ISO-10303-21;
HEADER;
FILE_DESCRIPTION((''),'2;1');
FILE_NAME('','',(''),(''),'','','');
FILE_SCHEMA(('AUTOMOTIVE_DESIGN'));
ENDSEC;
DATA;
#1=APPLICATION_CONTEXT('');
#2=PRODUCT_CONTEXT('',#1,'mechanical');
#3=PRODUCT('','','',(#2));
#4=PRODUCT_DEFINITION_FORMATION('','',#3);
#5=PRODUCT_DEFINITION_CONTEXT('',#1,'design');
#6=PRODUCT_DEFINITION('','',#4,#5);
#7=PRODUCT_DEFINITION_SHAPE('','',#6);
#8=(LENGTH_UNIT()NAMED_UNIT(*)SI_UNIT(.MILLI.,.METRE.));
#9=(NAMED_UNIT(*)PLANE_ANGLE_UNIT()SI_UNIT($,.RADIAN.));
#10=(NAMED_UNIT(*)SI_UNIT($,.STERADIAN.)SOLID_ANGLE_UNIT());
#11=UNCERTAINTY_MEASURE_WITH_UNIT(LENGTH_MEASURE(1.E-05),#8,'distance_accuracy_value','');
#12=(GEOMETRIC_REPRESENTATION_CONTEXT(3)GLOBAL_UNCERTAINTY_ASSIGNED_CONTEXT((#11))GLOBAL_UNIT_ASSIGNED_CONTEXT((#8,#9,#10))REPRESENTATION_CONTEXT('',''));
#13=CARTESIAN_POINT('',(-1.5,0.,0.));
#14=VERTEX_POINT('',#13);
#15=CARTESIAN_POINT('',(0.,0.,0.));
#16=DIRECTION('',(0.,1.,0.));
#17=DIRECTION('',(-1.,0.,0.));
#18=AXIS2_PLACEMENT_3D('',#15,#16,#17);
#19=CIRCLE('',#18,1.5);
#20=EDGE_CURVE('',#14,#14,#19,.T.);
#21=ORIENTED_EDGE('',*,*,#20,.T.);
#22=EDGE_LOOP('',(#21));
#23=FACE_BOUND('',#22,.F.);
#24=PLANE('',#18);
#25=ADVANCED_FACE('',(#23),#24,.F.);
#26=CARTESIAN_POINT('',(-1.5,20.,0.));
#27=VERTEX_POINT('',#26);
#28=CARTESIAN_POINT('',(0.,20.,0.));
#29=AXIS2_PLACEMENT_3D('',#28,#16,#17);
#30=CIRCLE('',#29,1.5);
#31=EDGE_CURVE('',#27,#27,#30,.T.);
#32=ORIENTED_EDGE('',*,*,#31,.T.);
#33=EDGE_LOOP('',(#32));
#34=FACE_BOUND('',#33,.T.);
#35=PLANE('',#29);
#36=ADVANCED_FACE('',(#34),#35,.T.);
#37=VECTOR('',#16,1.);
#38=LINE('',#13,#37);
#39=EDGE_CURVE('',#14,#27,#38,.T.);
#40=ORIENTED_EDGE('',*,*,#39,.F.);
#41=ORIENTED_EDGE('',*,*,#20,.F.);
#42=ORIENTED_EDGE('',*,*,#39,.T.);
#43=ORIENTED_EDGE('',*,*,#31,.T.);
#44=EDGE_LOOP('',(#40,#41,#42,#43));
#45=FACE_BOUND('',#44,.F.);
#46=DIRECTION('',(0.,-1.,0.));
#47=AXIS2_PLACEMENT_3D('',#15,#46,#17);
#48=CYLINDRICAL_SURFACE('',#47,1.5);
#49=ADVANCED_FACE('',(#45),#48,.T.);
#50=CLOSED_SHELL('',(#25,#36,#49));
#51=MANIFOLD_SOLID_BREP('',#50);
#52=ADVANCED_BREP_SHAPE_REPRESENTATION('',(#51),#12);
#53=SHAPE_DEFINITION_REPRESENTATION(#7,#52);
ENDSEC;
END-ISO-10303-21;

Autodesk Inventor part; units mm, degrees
ref_plane "YZ Plane" through (0, 0, 0) normal (1, 0, 0) x (0, 1, 0)
ref_plane "XZ Plane" through (0, 0, 0) normal (0, 1, 0) x (-1, 0, 0)
ref_plane "XY Plane" through (0, 0, 0) normal (0, 0, 1) x (1, 0, 0)
sketch "草圖1" plane through (0, 0, 0) normal (0, 1, 0) x (-1, 0, 0)
  circle A0 centre (0, 0) radius 1.5
  dimension "d0" = 3
extrude "擠出1" add sketch "草圖1" along normal blind 20
properties material "MDF Medium Density Fiberboard"
